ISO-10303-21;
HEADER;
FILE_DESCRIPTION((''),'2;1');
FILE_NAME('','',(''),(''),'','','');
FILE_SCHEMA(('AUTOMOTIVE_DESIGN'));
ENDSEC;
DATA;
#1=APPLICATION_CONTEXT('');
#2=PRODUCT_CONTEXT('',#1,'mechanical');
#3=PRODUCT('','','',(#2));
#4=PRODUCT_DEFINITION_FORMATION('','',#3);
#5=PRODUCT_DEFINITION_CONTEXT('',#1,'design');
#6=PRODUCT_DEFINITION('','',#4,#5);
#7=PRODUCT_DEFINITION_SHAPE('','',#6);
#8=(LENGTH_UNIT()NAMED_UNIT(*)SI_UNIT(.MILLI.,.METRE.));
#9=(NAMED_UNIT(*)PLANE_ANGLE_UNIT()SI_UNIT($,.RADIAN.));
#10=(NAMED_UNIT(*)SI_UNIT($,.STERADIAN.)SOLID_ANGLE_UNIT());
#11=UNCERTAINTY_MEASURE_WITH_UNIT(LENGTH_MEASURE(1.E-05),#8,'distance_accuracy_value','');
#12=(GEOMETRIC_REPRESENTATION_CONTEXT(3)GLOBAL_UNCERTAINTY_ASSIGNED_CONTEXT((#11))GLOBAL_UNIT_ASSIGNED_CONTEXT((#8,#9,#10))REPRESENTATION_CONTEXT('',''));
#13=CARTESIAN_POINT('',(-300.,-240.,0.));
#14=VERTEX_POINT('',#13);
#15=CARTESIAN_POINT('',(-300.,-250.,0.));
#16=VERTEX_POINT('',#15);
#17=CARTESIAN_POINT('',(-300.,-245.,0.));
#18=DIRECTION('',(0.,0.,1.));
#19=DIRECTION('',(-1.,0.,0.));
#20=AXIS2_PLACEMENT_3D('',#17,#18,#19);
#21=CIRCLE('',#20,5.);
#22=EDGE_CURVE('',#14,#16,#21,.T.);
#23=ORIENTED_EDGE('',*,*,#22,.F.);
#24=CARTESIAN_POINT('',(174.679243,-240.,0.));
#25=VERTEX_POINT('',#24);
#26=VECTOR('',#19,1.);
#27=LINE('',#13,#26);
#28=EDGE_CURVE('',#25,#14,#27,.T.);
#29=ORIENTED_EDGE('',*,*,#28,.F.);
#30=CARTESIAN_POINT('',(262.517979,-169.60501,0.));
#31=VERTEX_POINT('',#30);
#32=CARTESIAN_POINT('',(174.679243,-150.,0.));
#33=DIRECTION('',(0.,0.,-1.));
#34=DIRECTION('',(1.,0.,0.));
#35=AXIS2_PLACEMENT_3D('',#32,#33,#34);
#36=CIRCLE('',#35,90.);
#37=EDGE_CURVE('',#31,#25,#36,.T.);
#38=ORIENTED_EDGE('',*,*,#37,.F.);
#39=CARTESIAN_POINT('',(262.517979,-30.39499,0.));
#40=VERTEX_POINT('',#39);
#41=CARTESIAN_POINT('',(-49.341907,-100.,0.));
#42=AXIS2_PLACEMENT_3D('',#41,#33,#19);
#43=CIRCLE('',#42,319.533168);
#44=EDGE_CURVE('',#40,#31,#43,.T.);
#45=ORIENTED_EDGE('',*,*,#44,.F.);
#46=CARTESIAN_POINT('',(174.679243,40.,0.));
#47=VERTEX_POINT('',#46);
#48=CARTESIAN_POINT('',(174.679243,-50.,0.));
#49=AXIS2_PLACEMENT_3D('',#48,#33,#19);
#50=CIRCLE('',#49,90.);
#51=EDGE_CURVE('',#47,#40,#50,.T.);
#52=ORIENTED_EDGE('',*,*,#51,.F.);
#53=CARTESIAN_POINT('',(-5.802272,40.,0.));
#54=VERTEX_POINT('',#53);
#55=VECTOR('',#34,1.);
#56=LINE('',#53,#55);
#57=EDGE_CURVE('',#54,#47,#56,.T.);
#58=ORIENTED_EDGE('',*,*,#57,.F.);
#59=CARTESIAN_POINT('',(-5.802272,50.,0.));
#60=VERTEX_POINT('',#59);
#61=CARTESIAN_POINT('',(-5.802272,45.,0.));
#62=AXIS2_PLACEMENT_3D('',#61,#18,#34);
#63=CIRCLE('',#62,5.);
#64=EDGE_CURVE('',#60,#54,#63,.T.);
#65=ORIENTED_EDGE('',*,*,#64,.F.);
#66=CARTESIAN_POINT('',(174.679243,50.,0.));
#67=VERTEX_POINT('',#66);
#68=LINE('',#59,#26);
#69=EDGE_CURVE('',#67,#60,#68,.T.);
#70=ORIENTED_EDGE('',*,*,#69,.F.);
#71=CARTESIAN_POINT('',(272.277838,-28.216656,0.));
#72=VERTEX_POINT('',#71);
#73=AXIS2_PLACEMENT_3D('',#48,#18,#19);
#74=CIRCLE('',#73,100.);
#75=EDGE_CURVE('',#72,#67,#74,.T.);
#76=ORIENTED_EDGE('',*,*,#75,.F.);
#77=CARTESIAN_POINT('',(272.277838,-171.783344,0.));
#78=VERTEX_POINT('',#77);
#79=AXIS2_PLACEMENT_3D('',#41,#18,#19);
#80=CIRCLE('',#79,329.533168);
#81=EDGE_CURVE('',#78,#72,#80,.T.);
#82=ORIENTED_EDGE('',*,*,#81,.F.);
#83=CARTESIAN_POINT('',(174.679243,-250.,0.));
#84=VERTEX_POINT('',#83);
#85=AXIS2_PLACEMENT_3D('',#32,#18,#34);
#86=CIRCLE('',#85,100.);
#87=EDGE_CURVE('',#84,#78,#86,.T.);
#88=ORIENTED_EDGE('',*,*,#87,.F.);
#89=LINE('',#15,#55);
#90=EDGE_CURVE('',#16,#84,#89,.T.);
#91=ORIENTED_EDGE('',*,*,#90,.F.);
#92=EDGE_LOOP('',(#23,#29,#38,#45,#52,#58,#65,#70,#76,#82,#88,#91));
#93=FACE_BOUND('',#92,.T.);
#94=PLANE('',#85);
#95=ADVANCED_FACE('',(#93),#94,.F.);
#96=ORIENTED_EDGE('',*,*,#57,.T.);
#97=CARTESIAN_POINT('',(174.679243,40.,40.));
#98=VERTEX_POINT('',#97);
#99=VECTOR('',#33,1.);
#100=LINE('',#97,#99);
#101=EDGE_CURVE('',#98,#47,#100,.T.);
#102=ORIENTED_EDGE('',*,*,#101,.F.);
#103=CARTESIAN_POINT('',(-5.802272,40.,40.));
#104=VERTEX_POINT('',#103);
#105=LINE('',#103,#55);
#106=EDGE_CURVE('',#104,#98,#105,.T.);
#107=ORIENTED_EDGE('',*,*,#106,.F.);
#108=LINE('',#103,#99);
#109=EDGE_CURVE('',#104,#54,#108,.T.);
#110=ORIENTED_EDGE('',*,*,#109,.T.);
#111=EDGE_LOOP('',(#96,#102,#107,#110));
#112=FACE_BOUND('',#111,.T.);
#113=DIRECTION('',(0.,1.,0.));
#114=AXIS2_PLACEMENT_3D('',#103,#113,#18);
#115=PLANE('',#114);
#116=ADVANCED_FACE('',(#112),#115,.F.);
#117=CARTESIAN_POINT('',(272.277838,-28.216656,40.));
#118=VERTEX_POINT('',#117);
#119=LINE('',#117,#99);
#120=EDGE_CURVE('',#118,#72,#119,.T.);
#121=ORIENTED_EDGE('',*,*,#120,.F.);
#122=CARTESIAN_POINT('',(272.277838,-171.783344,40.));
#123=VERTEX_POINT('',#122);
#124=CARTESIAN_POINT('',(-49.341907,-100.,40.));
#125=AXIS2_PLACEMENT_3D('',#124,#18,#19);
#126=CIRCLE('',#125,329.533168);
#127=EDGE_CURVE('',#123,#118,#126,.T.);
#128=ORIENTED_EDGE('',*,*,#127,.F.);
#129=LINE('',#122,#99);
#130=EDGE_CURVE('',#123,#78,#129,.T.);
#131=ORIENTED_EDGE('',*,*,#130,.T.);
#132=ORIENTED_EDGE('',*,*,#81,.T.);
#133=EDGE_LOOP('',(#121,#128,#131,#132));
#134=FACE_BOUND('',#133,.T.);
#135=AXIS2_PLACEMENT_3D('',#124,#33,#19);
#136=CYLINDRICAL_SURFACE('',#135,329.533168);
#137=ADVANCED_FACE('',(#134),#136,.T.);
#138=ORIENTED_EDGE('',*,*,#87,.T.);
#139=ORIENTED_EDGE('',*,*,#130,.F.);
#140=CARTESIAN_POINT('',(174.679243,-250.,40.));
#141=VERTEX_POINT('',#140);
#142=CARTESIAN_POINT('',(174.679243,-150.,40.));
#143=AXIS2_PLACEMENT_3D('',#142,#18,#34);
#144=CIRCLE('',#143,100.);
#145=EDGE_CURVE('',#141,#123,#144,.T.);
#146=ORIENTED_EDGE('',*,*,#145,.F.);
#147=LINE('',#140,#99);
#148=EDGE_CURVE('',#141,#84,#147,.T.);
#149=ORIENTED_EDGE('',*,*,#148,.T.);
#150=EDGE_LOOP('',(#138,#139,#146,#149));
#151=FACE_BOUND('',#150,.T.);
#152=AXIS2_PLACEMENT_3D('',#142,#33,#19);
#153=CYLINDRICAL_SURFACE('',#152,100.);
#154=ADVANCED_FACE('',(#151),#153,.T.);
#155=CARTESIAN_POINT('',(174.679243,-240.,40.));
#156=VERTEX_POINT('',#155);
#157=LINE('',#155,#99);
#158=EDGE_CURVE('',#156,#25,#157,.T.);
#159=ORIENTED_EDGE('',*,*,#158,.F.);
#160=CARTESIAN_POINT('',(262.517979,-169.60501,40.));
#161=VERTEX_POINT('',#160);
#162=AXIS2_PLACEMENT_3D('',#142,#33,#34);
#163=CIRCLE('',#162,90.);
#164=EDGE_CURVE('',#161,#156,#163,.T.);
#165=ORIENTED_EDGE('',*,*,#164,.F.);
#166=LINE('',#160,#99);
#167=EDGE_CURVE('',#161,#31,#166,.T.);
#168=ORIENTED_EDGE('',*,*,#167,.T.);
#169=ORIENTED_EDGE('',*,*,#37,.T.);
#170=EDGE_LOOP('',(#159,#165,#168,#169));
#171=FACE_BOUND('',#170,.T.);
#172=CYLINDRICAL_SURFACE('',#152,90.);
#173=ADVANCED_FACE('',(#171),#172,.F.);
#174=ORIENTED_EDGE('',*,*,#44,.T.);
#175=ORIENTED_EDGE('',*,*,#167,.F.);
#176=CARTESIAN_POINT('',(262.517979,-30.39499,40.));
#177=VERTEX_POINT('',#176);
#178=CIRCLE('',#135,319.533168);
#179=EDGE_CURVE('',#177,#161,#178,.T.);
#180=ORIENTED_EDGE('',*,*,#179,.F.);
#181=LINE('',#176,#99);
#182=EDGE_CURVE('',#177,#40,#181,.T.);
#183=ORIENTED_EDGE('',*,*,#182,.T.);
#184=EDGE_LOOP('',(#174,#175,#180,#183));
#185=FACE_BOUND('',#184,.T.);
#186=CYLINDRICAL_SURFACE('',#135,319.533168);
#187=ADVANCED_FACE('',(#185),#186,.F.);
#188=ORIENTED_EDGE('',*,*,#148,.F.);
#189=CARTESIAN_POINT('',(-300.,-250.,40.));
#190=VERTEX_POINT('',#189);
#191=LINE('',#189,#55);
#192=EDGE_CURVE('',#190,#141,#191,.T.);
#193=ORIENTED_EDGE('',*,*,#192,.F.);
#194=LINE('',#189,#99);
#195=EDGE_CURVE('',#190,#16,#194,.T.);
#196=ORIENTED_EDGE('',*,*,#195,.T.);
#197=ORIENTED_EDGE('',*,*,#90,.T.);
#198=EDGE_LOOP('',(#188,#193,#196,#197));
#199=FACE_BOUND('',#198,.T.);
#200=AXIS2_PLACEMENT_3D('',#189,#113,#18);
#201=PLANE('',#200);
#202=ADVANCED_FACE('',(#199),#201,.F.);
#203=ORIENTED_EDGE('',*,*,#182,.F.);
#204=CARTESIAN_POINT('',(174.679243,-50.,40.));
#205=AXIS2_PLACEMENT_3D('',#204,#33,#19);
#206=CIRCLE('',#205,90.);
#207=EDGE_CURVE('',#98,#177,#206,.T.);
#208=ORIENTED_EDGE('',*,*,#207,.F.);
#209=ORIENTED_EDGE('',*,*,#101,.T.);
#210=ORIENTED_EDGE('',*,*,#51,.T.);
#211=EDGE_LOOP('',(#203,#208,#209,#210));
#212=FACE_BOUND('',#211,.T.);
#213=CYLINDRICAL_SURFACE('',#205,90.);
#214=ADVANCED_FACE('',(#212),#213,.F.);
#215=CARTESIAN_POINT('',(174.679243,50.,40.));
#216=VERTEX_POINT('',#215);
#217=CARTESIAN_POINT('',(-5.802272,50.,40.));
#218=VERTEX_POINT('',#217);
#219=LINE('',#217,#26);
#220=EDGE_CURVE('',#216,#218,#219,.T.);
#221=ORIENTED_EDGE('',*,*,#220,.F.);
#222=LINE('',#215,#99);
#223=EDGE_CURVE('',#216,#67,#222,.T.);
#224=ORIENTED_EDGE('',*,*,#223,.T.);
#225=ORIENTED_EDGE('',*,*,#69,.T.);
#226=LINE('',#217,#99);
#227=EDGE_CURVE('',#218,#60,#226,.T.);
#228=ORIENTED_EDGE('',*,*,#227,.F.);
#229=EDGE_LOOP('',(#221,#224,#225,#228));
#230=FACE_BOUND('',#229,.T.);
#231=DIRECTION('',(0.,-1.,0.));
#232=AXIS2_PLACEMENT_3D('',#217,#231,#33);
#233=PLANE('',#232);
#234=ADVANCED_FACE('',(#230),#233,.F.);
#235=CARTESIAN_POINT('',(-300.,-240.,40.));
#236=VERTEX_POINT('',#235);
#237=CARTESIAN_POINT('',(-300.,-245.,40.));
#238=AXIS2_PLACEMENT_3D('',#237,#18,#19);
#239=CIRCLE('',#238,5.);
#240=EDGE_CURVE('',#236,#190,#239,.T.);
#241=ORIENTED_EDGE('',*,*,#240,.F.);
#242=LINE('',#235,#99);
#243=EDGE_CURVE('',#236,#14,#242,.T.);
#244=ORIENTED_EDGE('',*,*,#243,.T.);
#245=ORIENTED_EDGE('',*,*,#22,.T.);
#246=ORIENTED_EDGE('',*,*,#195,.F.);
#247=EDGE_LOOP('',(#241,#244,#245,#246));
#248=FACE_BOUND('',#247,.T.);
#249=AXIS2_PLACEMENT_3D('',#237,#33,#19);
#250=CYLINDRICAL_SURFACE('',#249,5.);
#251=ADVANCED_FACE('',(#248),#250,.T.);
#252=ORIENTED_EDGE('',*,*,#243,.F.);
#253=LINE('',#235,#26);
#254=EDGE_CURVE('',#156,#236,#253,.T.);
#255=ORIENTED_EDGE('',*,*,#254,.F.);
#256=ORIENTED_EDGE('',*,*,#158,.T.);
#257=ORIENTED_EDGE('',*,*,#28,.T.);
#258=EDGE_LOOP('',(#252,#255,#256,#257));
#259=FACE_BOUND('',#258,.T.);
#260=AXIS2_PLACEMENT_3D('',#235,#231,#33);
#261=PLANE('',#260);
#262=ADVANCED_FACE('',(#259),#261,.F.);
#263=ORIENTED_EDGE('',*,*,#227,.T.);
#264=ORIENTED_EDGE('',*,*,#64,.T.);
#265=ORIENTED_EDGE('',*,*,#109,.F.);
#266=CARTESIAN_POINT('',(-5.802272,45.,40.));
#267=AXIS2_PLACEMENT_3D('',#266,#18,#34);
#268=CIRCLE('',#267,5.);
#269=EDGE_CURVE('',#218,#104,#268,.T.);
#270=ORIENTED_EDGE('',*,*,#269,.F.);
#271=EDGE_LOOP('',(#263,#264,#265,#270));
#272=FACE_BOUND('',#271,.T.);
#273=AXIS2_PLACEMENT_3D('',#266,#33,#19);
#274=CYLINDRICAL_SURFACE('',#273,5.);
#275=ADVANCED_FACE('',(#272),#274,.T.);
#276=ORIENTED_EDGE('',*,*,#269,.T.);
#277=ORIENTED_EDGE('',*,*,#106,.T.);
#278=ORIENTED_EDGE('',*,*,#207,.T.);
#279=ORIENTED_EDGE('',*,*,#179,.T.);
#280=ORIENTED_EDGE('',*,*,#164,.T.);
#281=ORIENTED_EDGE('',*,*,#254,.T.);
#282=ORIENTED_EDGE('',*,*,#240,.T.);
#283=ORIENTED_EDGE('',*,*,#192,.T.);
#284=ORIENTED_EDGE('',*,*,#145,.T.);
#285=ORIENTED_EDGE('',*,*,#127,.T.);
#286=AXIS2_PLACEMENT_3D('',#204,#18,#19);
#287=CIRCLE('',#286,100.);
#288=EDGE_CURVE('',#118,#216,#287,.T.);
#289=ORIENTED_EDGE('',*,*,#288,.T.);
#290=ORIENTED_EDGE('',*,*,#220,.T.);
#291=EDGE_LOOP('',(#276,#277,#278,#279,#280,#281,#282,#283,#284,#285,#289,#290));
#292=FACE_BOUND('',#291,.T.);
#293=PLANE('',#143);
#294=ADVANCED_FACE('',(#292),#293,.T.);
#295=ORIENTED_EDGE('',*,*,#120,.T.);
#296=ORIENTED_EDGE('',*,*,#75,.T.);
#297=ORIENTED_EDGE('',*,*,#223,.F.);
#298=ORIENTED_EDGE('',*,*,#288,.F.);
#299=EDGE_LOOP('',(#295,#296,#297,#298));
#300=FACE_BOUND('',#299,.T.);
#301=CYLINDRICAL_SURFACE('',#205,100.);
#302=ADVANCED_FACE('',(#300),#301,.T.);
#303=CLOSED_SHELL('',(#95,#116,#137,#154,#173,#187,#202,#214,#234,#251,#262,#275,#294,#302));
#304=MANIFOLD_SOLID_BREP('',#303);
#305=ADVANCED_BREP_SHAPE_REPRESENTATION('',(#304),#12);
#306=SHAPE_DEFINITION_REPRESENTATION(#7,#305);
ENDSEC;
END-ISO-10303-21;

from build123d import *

# Parameters (mm, degrees)
BOSS_EXTRUDE1_DEPTH = 40


with BuildPart() as part:
    # Sketch1 → Boss-Extrude1 (new body)
    with BuildSketch(Plane.XY):
        with BuildLine():
            Line((-5.802272282, 50), (174.679242578, 50))
            ThreePointArc((174.679242578, 50), (237.215894164, 28.0331161), (272.277838453, -28.216655834))
            ThreePointArc((272.277838453, -28.216655834), (280.191261544, -100), (272.277838453, -171.783344166))
            ThreePointArc((272.277838453, -171.783344166), (237.215894164, -228.0331161), (174.679242578, -250))
            Line((174.679242578, -250), (-300, -250))
            ThreePointArc((-300, -250), (-305, -245), (-300, -240))
            Line((-300, -240), (174.679242578, -240))
            ThreePointArc((174.679242578, -240), (230.962229006, -220.22980449), (262.517978866, -169.60500975))
            ThreePointArc((262.517978866, -169.60500975), (270.191261544, -100), (262.517978866, -30.39499025))
            ThreePointArc((262.517978866, -30.39499025), (230.962229006, 20.22980449), (174.679242578, 40))
            Line((174.679242578, 40), (-5.802272282, 40))
            ThreePointArc((-5.802272282, 40), (-10.802272282, 45), (-5.802272282, 50))
        make_face()
    extrude(amount=BOSS_EXTRUDE1_DEPTH)


solid = part.part
